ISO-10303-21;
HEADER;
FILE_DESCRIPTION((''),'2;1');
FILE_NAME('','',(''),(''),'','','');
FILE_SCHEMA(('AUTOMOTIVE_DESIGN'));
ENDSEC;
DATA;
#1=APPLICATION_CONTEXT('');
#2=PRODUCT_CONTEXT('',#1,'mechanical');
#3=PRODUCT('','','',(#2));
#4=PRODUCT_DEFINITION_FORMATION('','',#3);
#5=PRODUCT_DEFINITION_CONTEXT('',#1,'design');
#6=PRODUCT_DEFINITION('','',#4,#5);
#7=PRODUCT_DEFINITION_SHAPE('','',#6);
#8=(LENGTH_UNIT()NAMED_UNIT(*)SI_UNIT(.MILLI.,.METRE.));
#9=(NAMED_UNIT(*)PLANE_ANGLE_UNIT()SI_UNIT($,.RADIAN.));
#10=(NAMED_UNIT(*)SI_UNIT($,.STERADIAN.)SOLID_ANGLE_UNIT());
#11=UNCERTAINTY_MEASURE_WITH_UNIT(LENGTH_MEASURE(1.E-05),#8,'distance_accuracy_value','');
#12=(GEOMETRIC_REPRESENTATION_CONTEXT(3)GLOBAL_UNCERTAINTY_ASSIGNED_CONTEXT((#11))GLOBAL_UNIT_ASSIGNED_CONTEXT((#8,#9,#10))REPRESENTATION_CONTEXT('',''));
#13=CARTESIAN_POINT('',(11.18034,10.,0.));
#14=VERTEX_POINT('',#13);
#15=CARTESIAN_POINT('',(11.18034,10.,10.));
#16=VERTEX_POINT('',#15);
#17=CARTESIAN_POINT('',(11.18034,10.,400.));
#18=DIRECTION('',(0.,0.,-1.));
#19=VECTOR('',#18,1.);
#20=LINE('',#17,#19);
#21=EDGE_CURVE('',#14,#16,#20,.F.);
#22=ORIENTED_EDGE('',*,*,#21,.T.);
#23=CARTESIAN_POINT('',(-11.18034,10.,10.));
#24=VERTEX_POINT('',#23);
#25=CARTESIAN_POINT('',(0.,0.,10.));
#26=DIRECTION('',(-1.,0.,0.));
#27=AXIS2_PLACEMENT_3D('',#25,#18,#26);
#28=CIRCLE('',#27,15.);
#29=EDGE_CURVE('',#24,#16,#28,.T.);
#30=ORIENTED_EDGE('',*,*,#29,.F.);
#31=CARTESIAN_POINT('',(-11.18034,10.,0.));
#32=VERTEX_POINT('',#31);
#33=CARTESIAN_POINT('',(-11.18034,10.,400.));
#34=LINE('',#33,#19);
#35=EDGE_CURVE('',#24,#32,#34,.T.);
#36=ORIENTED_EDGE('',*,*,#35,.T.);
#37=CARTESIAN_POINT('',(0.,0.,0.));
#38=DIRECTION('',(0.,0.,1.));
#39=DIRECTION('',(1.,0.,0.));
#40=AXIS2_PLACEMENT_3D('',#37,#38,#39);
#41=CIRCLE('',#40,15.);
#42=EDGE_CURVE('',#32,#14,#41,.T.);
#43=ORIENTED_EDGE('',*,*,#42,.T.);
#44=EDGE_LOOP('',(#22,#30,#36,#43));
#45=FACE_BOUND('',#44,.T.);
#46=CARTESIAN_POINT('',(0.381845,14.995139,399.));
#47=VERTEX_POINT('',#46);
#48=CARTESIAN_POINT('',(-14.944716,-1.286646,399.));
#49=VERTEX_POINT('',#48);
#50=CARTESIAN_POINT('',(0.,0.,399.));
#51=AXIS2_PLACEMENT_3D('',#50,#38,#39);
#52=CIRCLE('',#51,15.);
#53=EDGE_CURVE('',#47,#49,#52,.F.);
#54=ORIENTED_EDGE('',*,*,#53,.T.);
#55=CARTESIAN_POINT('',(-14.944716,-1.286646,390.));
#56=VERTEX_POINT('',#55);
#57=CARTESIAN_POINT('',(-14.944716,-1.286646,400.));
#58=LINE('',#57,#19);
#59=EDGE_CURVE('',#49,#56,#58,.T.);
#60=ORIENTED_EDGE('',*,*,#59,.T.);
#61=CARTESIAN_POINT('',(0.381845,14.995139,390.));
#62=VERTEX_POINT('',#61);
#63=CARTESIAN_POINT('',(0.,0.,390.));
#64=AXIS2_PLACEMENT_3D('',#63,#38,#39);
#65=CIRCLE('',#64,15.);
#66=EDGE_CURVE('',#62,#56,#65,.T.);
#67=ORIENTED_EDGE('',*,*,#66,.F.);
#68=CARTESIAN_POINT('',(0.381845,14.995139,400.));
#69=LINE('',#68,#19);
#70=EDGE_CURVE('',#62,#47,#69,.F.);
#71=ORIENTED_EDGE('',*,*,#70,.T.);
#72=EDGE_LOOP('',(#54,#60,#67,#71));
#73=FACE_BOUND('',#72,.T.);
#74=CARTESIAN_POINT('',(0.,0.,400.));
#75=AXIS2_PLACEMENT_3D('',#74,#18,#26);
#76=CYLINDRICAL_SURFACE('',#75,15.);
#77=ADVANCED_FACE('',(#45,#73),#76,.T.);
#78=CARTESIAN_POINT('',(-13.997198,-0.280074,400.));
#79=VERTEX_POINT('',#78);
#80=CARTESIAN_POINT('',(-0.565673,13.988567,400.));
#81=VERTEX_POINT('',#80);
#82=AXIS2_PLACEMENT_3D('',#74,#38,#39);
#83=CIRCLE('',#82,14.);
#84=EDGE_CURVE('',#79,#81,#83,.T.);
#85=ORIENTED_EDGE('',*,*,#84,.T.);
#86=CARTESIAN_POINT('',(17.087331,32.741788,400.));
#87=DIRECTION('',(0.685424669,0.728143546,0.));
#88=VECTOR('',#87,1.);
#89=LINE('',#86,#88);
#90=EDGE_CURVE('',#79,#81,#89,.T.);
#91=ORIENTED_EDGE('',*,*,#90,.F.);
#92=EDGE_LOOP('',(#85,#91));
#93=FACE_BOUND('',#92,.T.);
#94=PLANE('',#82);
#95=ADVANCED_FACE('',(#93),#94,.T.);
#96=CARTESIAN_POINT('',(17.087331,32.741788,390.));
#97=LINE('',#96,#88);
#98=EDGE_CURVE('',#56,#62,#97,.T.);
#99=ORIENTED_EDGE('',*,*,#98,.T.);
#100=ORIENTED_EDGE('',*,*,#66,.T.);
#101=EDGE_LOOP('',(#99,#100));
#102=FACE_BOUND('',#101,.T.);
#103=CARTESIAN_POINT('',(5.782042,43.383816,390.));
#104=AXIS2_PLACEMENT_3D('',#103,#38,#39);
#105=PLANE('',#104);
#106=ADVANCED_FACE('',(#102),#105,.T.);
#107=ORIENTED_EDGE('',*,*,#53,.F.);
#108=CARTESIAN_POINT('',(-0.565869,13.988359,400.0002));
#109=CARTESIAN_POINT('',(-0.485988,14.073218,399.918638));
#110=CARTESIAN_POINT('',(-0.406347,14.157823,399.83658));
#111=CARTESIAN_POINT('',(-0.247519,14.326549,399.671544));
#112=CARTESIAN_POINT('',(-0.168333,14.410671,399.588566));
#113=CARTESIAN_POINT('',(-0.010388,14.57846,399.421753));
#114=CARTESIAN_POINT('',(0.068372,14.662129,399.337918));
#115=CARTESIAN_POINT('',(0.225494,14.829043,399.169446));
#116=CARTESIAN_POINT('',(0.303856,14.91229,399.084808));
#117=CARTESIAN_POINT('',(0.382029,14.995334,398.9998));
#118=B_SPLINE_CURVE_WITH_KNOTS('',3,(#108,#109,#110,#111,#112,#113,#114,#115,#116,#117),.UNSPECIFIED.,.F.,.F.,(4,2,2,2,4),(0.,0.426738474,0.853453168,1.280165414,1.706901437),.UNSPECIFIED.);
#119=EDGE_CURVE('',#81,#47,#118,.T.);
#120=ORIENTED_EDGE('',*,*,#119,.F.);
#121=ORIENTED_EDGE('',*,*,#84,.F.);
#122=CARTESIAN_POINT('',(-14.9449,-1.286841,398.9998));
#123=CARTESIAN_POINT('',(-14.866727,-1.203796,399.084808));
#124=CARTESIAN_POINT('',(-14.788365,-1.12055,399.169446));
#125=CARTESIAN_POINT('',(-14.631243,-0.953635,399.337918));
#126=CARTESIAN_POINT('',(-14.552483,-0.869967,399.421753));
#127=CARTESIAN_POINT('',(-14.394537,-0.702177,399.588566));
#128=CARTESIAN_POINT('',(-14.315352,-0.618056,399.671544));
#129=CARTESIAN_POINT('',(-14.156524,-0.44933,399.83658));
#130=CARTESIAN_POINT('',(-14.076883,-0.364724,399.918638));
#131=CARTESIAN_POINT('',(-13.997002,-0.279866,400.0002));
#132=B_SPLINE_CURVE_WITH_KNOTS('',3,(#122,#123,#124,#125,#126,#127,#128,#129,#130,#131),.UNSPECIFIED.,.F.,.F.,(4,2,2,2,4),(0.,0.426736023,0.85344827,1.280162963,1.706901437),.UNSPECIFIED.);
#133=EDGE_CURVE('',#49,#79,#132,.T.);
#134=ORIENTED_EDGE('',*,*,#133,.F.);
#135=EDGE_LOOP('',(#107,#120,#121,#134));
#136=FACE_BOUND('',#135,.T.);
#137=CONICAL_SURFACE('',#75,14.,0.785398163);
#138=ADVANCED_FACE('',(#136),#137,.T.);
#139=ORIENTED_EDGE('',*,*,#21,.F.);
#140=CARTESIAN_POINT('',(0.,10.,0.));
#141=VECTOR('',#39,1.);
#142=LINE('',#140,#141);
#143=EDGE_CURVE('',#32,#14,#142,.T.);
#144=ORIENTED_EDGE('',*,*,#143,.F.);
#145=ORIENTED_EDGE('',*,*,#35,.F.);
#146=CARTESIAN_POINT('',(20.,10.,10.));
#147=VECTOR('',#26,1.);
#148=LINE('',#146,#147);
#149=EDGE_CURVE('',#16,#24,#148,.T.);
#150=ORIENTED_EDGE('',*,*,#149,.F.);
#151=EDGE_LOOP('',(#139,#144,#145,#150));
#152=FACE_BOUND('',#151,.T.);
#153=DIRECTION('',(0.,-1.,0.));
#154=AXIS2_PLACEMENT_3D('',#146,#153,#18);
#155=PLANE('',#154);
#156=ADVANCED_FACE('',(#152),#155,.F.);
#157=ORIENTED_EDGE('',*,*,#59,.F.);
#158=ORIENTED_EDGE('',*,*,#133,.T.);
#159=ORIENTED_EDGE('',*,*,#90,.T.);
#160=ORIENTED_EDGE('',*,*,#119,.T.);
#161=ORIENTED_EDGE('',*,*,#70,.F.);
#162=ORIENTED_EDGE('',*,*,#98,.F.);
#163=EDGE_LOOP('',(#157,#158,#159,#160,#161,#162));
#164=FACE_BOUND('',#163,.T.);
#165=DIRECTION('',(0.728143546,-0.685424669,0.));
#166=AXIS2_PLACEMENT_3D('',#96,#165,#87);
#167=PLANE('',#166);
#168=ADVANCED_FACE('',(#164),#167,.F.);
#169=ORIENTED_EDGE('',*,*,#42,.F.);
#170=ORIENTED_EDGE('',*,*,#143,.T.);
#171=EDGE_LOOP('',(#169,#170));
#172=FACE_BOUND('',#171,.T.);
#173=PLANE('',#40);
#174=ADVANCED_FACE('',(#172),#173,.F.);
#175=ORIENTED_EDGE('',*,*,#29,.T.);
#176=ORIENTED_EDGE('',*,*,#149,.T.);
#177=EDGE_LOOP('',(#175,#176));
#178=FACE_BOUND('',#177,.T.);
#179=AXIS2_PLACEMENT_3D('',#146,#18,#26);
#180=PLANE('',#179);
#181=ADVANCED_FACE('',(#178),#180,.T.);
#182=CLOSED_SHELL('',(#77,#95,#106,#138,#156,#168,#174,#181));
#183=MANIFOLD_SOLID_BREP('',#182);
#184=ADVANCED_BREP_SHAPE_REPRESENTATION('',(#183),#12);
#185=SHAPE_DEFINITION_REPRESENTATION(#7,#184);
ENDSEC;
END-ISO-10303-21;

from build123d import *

# Parameters (mm, degrees)
ESQUISSE1_R             = 15
BASE_EXTRUSION_DEPTH    = 400
CHANFREIN1_SIZE         = 1
ENL_V_MAT_EXTRU_1_DEPTH = 10
ESQUISSE3_W             = 50
ESQUISSE3_H             = 10
ENL_V_MAT_EXTRU_2_DEPTH = 10


with BuildPart() as part:
    # Esquisse1 → Base-Extrusion (new body)
    with BuildSketch(Plane.XY):
        with Locations(Location((0, 0, 0), (0, 0, 184.920671017))):
            Circle(ESQUISSE1_R)
    extrude(amount=BASE_EXTRUSION_DEPTH)

    # Chanfrein1
    chanfrein1_edges = [part.edges().sort_by_distance(p)[0] for p in [
        (14.944716223, 1.286645645, 400),
    ]]
    chamfer(chanfrein1_edges, length=CHANFREIN1_SIZE)

    # Esquisse2 → Enlèv. mat.-Extru.1 (cut)
    with BuildSketch(Plane.XY.offset(400)):
        Polygon((17.08733053, 32.74178837), (-26.801262557, -13.882147509), (-38.674413155, -3.843373525), (5.782041814, 43.38381605), align=None)
    extrude(amount=-ENL_V_MAT_EXTRU_1_DEPTH, mode=Mode.SUBTRACT)

    # Esquisse3 → Enlèv. mat.-Extru.2 (cut)
    with BuildSketch(Plane(origin=(0, 0, 0), x_dir=(-1, 0, 0), z_dir=(0, 0, -1))):
        with Locations((5, 15)):
            Rectangle(ESQUISSE3_W, ESQUISSE3_H)
    extrude(amount=-ENL_V_MAT_EXTRU_2_DEPTH, mode=Mode.SUBTRACT)


solid = part.part
